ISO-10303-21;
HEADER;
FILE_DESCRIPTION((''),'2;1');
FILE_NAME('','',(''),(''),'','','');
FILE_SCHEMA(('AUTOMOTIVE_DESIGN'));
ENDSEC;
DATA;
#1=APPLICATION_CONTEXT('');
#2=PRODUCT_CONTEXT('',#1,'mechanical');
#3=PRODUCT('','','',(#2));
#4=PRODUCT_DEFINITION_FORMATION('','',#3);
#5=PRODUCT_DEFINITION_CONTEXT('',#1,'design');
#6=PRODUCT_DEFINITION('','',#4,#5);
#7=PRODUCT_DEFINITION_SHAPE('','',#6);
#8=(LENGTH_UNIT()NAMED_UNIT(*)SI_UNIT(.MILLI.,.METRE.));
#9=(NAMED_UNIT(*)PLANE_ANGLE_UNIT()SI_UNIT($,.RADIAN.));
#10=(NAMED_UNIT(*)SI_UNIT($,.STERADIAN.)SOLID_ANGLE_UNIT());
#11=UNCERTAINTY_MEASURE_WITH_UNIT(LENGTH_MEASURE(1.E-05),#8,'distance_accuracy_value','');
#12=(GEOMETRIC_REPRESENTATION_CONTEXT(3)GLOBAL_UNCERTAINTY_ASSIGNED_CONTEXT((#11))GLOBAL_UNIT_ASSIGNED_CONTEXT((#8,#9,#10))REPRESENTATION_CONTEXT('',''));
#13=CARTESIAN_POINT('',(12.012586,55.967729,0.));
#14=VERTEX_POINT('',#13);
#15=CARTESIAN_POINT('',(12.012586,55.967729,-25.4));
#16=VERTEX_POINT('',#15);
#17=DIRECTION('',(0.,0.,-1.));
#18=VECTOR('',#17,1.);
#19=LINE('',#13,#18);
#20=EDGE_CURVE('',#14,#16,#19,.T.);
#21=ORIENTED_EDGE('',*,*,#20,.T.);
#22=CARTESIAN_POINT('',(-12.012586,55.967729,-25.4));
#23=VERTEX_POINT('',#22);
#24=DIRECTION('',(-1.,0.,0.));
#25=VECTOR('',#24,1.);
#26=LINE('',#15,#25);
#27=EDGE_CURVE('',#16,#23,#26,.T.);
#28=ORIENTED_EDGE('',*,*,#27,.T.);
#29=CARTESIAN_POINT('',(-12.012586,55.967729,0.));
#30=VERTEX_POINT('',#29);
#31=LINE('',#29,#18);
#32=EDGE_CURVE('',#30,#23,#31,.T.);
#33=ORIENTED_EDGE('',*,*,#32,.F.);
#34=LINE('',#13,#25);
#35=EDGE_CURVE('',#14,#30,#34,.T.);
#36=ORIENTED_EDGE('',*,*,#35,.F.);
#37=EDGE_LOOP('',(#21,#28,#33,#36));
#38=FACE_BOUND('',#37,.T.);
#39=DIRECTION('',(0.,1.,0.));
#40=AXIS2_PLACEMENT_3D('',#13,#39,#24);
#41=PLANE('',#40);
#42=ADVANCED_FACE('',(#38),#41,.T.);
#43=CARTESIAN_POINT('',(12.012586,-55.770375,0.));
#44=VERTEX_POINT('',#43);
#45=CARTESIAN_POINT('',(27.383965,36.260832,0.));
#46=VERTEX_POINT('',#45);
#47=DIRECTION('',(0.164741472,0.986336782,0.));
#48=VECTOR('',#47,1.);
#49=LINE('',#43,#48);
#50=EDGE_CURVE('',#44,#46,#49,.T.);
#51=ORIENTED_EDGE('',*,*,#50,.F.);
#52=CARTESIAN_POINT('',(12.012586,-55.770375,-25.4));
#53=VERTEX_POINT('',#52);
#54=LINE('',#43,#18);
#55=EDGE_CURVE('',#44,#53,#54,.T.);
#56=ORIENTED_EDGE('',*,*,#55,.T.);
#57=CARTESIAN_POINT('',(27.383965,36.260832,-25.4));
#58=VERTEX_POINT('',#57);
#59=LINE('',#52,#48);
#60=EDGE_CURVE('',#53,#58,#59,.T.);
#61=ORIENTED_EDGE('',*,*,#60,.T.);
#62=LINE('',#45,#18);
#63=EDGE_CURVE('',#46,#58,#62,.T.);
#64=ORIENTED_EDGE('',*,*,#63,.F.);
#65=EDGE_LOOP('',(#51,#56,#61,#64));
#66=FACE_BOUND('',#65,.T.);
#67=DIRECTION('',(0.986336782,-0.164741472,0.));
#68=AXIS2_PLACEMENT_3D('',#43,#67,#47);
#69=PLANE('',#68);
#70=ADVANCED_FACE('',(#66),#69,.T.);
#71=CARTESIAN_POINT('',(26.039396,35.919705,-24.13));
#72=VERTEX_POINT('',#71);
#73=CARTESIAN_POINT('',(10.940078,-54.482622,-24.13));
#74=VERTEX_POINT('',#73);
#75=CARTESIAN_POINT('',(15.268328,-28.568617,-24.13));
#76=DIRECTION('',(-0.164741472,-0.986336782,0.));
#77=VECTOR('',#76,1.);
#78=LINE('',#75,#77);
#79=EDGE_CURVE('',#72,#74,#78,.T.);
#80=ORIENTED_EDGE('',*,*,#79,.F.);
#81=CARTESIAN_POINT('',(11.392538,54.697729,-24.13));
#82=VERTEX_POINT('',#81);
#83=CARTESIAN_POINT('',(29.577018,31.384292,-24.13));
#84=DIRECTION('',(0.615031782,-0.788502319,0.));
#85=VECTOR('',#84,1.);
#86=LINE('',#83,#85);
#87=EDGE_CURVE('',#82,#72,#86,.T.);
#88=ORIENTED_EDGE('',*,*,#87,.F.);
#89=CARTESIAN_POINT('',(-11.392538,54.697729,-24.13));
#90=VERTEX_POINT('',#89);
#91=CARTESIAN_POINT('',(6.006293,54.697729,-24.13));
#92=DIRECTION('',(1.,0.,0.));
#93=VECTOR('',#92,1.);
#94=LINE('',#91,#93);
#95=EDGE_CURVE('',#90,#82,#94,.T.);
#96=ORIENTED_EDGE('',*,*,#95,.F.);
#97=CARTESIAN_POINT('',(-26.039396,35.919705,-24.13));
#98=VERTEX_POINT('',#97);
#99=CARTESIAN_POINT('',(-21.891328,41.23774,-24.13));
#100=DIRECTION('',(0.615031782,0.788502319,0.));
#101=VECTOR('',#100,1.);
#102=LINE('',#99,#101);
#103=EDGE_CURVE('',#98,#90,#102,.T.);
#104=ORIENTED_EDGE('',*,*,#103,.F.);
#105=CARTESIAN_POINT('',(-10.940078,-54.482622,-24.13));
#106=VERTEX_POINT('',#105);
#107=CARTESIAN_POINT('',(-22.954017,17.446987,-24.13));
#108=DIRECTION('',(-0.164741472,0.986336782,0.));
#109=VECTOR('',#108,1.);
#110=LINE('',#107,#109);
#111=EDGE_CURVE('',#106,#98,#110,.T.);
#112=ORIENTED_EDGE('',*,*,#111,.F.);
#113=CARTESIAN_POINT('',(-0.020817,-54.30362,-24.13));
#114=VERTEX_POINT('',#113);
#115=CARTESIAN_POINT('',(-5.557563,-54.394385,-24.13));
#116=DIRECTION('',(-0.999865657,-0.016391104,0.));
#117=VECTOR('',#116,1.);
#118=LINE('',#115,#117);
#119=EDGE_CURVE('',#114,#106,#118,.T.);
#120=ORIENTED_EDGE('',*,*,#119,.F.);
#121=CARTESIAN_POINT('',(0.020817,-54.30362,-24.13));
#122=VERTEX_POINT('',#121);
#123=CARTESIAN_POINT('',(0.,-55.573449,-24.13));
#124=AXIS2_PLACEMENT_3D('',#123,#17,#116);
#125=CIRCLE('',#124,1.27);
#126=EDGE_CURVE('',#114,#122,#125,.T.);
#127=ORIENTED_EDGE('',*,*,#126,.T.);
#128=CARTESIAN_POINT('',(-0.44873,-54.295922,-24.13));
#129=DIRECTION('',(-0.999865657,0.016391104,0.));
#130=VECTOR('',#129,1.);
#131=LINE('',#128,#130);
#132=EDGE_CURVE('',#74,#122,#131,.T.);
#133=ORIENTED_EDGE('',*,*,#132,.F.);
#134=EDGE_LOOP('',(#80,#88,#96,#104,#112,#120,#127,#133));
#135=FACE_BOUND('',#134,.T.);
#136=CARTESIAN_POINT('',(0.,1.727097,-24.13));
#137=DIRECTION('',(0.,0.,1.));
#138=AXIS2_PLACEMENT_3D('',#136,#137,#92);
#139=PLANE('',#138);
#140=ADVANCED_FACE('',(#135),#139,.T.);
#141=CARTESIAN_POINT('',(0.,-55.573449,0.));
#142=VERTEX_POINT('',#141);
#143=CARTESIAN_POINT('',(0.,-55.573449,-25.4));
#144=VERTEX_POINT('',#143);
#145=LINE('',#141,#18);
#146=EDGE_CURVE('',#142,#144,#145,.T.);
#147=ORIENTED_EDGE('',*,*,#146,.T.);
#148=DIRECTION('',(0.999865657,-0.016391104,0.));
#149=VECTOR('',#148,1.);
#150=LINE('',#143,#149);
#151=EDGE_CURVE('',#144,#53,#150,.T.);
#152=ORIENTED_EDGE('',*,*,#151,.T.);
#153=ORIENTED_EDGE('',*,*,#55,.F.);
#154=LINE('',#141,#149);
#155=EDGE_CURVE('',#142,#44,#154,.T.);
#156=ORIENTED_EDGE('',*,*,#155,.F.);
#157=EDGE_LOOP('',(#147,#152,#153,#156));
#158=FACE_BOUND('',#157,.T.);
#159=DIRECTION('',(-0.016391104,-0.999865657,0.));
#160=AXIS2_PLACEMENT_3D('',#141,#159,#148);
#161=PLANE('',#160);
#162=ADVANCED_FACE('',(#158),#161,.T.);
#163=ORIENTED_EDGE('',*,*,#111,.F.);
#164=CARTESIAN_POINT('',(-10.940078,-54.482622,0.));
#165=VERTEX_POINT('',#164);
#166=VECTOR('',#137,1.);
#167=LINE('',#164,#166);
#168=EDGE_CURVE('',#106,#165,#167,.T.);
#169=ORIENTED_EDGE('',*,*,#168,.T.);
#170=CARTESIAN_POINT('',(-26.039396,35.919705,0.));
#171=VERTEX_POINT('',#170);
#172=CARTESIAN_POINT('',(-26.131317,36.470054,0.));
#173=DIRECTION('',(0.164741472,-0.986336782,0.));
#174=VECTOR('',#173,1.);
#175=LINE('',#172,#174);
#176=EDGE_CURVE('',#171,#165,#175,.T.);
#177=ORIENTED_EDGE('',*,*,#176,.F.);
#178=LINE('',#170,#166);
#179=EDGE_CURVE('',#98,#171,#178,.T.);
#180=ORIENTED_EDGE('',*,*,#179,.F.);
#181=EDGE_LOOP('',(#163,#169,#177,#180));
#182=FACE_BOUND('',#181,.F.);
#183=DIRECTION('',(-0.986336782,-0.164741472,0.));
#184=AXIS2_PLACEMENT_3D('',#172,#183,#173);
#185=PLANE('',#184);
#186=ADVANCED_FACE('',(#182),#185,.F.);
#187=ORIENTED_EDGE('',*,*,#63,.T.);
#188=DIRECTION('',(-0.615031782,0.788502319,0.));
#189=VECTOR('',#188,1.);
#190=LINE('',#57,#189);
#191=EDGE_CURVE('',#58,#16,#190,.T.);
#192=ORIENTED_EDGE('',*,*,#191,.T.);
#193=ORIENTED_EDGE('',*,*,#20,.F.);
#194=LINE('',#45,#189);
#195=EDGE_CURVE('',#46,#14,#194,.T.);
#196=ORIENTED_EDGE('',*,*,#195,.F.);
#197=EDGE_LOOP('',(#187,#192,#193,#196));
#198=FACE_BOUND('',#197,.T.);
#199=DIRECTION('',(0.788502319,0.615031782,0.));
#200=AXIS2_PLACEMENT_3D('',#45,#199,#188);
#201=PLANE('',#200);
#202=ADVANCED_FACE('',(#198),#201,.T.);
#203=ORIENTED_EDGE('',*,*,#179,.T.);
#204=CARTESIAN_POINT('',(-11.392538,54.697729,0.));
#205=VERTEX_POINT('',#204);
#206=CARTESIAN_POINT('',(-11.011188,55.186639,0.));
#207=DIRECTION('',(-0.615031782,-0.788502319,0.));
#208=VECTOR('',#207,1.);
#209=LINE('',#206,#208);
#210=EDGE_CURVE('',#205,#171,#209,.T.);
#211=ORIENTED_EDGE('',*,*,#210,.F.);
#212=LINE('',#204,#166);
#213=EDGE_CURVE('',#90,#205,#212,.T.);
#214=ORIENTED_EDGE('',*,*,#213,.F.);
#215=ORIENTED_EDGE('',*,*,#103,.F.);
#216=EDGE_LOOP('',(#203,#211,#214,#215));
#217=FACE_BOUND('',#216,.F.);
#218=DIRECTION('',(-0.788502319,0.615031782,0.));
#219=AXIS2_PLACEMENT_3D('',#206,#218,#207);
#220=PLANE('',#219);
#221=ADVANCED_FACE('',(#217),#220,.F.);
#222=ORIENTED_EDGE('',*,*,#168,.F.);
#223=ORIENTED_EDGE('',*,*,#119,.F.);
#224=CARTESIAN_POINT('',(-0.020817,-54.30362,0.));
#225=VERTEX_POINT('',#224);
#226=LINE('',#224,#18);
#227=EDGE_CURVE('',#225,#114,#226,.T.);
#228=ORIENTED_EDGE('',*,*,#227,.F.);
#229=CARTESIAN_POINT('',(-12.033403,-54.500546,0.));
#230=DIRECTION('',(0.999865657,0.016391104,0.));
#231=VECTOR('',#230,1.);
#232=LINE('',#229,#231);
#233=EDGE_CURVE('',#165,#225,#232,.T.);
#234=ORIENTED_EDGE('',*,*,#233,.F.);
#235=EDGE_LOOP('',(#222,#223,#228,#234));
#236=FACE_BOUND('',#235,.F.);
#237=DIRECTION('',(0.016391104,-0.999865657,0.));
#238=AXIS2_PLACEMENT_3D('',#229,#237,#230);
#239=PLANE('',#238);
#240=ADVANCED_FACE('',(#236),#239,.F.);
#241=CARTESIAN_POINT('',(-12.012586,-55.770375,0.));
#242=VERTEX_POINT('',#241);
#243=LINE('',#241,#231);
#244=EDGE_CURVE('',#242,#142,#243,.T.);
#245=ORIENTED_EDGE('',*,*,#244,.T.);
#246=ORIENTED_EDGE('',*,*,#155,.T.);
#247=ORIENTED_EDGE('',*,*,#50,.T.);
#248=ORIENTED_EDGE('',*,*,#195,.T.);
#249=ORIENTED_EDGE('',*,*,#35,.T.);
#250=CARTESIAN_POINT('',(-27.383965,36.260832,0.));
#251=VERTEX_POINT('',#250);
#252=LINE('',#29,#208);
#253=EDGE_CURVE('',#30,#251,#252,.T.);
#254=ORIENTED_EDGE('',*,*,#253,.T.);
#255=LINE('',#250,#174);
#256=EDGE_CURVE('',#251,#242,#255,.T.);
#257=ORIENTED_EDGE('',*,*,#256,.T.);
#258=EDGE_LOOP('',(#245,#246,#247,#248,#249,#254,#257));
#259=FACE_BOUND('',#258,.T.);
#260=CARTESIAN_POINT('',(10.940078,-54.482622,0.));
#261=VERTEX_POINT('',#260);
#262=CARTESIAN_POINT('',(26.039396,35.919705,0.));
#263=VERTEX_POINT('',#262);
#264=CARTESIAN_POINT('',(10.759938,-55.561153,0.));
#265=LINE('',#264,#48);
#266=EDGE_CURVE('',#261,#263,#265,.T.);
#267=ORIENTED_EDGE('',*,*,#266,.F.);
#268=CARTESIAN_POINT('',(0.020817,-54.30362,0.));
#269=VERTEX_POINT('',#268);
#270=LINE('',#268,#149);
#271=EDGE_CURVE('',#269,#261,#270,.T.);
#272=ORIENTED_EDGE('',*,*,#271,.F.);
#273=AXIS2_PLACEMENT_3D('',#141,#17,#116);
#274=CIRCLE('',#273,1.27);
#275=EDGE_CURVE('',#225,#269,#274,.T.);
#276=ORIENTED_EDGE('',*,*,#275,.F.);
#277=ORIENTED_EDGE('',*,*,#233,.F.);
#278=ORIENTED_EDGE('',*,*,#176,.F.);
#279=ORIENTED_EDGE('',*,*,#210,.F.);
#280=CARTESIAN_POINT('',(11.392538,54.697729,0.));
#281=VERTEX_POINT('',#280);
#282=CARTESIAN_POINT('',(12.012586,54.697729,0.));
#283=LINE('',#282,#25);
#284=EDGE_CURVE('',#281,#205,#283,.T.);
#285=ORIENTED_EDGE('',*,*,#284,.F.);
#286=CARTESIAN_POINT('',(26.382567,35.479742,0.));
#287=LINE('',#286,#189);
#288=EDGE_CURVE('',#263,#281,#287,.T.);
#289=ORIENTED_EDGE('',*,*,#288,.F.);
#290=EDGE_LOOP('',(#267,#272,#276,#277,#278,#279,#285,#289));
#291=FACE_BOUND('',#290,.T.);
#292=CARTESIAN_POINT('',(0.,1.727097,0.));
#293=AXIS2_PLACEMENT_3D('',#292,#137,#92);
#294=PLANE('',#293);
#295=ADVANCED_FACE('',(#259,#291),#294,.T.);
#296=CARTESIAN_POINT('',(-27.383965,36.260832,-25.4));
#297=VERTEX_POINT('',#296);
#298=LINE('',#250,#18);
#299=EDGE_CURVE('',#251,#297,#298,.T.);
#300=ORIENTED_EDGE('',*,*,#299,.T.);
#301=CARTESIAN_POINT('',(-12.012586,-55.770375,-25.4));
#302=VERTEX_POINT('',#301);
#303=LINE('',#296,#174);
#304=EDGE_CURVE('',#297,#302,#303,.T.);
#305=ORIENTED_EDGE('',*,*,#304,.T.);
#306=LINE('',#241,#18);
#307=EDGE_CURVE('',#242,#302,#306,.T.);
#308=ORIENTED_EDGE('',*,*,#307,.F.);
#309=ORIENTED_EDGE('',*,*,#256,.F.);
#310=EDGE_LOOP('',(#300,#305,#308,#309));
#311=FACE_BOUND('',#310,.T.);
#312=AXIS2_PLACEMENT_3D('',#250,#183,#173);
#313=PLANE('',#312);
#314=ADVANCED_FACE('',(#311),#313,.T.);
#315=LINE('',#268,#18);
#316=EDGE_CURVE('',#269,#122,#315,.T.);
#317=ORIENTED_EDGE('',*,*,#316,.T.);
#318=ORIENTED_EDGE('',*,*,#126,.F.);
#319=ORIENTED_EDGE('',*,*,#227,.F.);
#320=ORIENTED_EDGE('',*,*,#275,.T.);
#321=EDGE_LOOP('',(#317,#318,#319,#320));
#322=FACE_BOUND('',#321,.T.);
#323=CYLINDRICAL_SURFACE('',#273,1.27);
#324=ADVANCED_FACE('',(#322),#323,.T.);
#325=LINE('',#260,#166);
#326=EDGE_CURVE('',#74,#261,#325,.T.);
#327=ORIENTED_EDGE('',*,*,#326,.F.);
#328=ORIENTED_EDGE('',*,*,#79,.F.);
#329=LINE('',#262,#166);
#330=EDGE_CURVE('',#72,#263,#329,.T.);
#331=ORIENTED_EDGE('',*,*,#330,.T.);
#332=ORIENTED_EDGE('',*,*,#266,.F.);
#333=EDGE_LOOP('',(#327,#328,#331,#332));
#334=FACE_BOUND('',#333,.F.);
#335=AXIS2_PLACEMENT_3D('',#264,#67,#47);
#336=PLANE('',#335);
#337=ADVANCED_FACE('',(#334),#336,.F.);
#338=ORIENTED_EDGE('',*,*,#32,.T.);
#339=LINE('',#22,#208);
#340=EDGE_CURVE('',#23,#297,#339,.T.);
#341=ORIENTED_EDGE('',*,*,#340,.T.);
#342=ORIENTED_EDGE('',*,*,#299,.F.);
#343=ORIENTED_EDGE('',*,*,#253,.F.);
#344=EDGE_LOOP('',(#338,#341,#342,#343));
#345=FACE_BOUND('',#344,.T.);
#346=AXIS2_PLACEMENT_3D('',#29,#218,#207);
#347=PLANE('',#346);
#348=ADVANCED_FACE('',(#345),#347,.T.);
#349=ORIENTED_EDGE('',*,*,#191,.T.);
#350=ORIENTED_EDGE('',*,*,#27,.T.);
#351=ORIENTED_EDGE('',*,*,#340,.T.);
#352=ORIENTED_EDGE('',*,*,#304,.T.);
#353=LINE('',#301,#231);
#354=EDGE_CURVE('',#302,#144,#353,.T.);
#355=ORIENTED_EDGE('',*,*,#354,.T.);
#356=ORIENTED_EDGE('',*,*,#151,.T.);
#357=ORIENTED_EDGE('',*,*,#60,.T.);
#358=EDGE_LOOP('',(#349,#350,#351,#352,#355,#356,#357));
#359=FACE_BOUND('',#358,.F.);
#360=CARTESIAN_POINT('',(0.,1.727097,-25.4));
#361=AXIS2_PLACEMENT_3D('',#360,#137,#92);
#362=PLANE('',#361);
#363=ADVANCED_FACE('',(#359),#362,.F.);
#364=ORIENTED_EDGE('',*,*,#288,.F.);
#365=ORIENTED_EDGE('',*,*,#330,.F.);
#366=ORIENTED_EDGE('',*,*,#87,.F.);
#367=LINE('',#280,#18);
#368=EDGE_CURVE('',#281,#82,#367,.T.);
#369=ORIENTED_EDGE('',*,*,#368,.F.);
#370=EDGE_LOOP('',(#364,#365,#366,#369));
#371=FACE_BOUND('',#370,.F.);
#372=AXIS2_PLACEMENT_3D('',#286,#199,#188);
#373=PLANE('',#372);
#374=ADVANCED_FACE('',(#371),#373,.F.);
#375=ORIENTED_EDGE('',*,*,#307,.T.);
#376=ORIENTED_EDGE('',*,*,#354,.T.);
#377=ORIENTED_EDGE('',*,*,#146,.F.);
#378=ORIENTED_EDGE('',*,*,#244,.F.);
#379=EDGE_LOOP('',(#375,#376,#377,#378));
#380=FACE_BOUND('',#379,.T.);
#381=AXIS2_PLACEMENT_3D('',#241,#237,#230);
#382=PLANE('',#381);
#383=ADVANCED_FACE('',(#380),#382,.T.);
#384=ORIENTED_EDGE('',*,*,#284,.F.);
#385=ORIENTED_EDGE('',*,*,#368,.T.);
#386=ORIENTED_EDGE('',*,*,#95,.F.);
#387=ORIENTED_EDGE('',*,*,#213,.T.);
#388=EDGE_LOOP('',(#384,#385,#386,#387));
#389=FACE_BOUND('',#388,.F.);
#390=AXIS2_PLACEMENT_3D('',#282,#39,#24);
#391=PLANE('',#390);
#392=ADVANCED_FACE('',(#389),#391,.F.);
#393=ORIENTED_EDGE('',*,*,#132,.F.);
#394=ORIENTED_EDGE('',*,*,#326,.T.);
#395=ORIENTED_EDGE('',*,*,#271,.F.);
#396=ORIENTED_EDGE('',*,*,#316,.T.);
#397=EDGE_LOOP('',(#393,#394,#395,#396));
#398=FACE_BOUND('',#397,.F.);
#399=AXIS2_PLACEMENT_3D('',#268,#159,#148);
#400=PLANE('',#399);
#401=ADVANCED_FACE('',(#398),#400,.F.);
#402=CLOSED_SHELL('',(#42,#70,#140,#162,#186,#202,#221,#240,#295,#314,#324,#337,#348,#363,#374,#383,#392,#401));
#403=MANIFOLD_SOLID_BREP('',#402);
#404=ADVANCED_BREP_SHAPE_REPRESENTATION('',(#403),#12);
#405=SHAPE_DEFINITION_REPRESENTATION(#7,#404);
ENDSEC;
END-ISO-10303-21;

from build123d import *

# Parameters (mm, degrees)
F1_DEPTH = 25.4
F2_T     = -1.27


with BuildPart() as f1:
    # F0 (on Top) → F1 (new body)
    with BuildSketch(Plane.XY):
        Polygon((12.012586, 55.967729), (0, 55.967729), (-12.012586, 55.967729), (-27.383965, 36.260832), (-12.012586, -55.770375), (0, -55.573449), (12.012586, -55.770375), (27.383965, 36.260832), align=None)
    extrude(amount=-F1_DEPTH)

    # F2
    f2_openings = [f1.faces().sort_by_distance(p)[0] for p in [
        (0, 4.834347, 0),
    ]]
    offset(amount=F2_T, openings=f2_openings)


solid = f1.part
